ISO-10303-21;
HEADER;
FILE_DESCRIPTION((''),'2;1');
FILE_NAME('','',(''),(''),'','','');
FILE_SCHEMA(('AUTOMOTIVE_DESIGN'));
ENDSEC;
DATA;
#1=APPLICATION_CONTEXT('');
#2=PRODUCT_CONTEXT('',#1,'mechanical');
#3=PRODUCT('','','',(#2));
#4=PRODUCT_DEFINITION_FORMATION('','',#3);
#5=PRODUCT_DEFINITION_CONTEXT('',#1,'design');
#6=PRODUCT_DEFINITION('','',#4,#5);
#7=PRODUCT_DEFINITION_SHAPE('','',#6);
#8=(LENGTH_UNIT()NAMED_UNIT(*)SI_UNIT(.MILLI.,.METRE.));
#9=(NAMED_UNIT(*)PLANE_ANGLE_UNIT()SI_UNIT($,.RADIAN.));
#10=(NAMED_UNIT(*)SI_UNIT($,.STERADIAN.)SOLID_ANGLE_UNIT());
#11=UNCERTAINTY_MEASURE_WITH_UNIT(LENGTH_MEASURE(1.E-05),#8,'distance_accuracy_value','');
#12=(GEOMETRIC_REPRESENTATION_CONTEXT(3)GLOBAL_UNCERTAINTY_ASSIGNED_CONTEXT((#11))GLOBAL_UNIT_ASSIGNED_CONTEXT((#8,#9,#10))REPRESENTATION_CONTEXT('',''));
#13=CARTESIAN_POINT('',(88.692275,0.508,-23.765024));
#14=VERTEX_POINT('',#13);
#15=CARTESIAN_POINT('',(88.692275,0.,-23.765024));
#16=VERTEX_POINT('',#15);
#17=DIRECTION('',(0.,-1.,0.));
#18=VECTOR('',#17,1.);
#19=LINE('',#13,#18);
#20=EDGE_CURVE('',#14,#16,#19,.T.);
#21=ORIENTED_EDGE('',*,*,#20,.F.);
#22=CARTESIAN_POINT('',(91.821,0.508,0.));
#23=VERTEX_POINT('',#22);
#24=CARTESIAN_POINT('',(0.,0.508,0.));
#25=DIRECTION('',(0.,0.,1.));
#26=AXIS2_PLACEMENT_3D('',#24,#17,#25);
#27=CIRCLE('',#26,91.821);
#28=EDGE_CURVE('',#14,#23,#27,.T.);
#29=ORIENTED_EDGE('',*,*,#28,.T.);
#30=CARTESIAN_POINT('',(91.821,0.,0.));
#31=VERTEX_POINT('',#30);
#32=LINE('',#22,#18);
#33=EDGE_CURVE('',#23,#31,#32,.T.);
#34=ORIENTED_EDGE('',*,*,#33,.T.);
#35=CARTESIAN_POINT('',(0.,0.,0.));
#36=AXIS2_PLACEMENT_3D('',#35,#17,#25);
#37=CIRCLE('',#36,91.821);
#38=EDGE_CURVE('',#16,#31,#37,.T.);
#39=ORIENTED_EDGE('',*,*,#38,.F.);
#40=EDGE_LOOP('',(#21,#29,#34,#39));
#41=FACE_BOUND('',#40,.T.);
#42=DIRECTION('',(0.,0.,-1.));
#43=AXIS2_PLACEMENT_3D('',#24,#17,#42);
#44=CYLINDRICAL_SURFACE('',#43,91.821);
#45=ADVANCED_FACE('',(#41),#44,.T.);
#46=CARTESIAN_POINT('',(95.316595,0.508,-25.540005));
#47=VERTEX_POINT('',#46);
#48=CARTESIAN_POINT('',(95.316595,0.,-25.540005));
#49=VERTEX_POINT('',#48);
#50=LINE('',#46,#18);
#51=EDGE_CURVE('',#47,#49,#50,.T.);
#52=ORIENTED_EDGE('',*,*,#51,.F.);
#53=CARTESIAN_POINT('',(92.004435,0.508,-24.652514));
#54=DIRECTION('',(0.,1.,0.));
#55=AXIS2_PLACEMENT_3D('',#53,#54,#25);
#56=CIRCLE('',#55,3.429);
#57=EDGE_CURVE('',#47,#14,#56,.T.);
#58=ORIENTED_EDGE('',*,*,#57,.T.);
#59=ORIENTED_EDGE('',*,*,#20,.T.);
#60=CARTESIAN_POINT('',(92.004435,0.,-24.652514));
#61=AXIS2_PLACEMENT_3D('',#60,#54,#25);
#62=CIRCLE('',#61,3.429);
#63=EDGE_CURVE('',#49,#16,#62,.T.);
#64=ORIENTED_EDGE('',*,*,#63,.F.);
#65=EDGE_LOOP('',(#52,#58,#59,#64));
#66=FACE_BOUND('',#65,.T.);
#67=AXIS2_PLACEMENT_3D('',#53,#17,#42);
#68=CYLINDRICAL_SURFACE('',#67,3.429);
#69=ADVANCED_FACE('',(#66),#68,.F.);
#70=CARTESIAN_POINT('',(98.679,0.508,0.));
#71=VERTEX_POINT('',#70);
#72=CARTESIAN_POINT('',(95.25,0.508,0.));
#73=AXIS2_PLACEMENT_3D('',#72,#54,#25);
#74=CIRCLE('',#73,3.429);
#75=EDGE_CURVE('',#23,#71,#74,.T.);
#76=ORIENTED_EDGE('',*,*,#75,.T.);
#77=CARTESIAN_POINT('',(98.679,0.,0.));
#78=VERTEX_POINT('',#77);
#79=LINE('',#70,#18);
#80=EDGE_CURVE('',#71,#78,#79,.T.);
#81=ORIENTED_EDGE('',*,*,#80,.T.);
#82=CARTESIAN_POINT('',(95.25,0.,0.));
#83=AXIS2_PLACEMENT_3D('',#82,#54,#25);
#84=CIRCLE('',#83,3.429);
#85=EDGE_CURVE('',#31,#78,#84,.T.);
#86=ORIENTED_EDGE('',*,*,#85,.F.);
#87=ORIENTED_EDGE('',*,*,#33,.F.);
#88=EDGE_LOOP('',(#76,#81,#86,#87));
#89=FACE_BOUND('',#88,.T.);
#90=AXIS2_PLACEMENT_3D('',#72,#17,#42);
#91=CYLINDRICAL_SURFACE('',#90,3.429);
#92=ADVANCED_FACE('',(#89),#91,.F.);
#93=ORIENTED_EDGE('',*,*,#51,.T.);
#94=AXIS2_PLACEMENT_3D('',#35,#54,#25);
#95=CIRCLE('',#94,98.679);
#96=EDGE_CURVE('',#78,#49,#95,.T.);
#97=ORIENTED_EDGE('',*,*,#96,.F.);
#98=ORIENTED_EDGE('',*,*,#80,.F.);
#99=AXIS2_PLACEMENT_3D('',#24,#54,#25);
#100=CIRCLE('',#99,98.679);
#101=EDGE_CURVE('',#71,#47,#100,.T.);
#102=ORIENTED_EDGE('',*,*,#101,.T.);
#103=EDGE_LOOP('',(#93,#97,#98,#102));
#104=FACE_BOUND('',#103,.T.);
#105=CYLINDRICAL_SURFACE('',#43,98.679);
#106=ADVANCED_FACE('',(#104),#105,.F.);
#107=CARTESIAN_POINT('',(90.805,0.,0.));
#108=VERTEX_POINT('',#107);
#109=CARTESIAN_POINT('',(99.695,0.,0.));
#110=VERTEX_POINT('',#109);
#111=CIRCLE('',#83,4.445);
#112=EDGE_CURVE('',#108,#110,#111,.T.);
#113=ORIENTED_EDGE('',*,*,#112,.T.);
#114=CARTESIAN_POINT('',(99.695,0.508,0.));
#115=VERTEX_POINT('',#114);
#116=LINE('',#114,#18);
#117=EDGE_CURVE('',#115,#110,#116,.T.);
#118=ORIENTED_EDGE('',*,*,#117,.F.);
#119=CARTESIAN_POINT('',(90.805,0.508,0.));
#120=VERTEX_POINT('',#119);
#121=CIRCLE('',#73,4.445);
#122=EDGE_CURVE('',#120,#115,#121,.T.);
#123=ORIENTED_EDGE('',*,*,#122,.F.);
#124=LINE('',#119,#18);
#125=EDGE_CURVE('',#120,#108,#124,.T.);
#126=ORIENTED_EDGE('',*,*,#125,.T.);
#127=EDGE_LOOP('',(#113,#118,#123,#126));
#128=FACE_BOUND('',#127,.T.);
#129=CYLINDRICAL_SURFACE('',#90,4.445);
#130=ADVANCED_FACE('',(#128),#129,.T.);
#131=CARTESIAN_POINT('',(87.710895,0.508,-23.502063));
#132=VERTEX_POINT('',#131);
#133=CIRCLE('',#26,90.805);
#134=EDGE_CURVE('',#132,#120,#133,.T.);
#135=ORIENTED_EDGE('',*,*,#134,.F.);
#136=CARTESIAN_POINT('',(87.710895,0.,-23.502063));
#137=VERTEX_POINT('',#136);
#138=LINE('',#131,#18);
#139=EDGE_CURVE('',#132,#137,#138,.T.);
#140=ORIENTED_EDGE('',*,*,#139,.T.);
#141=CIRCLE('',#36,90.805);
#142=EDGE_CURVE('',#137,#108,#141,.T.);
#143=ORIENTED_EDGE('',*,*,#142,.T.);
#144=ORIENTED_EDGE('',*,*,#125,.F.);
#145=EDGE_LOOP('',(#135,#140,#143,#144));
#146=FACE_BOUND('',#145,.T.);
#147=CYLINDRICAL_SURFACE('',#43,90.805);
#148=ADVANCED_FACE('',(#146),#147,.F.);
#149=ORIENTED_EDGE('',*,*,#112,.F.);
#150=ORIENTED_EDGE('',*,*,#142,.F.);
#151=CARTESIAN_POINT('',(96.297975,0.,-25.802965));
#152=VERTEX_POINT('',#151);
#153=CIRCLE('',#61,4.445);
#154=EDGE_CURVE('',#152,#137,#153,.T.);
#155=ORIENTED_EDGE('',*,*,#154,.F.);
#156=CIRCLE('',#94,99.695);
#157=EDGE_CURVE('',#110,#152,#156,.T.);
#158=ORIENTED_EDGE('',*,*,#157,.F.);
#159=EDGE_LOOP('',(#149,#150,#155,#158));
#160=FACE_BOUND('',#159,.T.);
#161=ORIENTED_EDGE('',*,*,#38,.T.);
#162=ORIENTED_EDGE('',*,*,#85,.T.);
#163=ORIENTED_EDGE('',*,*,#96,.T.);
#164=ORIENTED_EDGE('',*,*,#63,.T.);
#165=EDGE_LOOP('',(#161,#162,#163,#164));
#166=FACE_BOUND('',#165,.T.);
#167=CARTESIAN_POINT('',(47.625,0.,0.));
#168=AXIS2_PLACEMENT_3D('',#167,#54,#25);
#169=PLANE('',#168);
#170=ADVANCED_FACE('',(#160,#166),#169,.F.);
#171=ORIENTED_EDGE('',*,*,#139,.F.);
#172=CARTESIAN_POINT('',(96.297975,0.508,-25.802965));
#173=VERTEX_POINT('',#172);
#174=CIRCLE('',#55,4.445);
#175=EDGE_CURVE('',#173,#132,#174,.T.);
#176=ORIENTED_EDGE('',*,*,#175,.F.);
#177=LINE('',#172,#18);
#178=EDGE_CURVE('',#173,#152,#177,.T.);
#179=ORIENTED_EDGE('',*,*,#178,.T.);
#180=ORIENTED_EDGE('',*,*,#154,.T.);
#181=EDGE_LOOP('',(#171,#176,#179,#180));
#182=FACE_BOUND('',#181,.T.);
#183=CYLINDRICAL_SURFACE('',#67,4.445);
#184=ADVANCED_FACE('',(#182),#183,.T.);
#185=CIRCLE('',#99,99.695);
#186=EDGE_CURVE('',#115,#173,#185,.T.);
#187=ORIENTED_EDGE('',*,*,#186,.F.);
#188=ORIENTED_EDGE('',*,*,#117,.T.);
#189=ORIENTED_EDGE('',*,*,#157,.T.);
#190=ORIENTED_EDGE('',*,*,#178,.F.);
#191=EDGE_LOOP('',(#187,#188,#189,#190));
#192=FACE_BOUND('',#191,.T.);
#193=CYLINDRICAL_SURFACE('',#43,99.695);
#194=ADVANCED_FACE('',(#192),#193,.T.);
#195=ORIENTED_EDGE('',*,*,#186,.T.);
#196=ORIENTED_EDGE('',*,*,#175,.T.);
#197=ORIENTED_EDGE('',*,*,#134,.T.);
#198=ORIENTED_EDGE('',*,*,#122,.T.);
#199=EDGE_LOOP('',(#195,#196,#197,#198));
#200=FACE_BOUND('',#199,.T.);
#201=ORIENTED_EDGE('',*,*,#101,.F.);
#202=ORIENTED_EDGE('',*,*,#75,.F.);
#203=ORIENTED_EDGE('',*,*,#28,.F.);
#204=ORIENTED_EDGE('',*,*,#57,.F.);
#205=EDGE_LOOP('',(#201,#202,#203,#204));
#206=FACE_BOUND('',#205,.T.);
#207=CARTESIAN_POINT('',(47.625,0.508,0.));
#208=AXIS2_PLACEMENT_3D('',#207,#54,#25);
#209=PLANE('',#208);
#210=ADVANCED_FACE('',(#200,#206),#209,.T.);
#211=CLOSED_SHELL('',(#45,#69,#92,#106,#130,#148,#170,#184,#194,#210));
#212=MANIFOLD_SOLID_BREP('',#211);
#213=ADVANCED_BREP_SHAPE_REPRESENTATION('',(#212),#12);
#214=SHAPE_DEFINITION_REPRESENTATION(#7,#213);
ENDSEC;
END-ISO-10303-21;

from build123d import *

# Parameters (mm, degrees)
BOSS_EXTRUDE1_DEPTH = 0.508


with BuildPart() as part:
    # Sketch1 → Boss-Extrude1 (new body)
    with BuildSketch(Plane(origin=(0, 0, 0), x_dir=(1, 0, 0), z_dir=(0, 1, 0))):
        with BuildLine():
            ThreePointArc((99.695, 0), (98.842095455, 13.012808733), (96.297975252, 25.802964701))
            ThreePointArc((96.297975252, 25.802964701), (90.853984299, 28.946054344), (87.710894656, 23.502063391))
            ThreePointArc((87.710894656, 23.502063391), (90.028150637, 11.852430885), (90.805, 0))
            ThreePointArc((90.805, 0), (95.25, -4.445), (99.695, 0))
        make_face()
        with BuildLine():
            ThreePointArc((98.679, 0), (97.834787476, 12.880194122), (95.316594612, 25.540004552))
            ThreePointArc((95.316594612, 25.540004552), (91.116944448, 27.964673704), (88.692275296, 23.76502354))
            ThreePointArc((88.692275296, 23.76502354), (91.035458616, 11.985045496), (91.821, 0))
            ThreePointArc((91.821, 0), (95.25, -3.429), (98.679, 0))
        make_face(mode=Mode.SUBTRACT)
    extrude(amount=BOSS_EXTRUDE1_DEPTH)


solid = part.part
